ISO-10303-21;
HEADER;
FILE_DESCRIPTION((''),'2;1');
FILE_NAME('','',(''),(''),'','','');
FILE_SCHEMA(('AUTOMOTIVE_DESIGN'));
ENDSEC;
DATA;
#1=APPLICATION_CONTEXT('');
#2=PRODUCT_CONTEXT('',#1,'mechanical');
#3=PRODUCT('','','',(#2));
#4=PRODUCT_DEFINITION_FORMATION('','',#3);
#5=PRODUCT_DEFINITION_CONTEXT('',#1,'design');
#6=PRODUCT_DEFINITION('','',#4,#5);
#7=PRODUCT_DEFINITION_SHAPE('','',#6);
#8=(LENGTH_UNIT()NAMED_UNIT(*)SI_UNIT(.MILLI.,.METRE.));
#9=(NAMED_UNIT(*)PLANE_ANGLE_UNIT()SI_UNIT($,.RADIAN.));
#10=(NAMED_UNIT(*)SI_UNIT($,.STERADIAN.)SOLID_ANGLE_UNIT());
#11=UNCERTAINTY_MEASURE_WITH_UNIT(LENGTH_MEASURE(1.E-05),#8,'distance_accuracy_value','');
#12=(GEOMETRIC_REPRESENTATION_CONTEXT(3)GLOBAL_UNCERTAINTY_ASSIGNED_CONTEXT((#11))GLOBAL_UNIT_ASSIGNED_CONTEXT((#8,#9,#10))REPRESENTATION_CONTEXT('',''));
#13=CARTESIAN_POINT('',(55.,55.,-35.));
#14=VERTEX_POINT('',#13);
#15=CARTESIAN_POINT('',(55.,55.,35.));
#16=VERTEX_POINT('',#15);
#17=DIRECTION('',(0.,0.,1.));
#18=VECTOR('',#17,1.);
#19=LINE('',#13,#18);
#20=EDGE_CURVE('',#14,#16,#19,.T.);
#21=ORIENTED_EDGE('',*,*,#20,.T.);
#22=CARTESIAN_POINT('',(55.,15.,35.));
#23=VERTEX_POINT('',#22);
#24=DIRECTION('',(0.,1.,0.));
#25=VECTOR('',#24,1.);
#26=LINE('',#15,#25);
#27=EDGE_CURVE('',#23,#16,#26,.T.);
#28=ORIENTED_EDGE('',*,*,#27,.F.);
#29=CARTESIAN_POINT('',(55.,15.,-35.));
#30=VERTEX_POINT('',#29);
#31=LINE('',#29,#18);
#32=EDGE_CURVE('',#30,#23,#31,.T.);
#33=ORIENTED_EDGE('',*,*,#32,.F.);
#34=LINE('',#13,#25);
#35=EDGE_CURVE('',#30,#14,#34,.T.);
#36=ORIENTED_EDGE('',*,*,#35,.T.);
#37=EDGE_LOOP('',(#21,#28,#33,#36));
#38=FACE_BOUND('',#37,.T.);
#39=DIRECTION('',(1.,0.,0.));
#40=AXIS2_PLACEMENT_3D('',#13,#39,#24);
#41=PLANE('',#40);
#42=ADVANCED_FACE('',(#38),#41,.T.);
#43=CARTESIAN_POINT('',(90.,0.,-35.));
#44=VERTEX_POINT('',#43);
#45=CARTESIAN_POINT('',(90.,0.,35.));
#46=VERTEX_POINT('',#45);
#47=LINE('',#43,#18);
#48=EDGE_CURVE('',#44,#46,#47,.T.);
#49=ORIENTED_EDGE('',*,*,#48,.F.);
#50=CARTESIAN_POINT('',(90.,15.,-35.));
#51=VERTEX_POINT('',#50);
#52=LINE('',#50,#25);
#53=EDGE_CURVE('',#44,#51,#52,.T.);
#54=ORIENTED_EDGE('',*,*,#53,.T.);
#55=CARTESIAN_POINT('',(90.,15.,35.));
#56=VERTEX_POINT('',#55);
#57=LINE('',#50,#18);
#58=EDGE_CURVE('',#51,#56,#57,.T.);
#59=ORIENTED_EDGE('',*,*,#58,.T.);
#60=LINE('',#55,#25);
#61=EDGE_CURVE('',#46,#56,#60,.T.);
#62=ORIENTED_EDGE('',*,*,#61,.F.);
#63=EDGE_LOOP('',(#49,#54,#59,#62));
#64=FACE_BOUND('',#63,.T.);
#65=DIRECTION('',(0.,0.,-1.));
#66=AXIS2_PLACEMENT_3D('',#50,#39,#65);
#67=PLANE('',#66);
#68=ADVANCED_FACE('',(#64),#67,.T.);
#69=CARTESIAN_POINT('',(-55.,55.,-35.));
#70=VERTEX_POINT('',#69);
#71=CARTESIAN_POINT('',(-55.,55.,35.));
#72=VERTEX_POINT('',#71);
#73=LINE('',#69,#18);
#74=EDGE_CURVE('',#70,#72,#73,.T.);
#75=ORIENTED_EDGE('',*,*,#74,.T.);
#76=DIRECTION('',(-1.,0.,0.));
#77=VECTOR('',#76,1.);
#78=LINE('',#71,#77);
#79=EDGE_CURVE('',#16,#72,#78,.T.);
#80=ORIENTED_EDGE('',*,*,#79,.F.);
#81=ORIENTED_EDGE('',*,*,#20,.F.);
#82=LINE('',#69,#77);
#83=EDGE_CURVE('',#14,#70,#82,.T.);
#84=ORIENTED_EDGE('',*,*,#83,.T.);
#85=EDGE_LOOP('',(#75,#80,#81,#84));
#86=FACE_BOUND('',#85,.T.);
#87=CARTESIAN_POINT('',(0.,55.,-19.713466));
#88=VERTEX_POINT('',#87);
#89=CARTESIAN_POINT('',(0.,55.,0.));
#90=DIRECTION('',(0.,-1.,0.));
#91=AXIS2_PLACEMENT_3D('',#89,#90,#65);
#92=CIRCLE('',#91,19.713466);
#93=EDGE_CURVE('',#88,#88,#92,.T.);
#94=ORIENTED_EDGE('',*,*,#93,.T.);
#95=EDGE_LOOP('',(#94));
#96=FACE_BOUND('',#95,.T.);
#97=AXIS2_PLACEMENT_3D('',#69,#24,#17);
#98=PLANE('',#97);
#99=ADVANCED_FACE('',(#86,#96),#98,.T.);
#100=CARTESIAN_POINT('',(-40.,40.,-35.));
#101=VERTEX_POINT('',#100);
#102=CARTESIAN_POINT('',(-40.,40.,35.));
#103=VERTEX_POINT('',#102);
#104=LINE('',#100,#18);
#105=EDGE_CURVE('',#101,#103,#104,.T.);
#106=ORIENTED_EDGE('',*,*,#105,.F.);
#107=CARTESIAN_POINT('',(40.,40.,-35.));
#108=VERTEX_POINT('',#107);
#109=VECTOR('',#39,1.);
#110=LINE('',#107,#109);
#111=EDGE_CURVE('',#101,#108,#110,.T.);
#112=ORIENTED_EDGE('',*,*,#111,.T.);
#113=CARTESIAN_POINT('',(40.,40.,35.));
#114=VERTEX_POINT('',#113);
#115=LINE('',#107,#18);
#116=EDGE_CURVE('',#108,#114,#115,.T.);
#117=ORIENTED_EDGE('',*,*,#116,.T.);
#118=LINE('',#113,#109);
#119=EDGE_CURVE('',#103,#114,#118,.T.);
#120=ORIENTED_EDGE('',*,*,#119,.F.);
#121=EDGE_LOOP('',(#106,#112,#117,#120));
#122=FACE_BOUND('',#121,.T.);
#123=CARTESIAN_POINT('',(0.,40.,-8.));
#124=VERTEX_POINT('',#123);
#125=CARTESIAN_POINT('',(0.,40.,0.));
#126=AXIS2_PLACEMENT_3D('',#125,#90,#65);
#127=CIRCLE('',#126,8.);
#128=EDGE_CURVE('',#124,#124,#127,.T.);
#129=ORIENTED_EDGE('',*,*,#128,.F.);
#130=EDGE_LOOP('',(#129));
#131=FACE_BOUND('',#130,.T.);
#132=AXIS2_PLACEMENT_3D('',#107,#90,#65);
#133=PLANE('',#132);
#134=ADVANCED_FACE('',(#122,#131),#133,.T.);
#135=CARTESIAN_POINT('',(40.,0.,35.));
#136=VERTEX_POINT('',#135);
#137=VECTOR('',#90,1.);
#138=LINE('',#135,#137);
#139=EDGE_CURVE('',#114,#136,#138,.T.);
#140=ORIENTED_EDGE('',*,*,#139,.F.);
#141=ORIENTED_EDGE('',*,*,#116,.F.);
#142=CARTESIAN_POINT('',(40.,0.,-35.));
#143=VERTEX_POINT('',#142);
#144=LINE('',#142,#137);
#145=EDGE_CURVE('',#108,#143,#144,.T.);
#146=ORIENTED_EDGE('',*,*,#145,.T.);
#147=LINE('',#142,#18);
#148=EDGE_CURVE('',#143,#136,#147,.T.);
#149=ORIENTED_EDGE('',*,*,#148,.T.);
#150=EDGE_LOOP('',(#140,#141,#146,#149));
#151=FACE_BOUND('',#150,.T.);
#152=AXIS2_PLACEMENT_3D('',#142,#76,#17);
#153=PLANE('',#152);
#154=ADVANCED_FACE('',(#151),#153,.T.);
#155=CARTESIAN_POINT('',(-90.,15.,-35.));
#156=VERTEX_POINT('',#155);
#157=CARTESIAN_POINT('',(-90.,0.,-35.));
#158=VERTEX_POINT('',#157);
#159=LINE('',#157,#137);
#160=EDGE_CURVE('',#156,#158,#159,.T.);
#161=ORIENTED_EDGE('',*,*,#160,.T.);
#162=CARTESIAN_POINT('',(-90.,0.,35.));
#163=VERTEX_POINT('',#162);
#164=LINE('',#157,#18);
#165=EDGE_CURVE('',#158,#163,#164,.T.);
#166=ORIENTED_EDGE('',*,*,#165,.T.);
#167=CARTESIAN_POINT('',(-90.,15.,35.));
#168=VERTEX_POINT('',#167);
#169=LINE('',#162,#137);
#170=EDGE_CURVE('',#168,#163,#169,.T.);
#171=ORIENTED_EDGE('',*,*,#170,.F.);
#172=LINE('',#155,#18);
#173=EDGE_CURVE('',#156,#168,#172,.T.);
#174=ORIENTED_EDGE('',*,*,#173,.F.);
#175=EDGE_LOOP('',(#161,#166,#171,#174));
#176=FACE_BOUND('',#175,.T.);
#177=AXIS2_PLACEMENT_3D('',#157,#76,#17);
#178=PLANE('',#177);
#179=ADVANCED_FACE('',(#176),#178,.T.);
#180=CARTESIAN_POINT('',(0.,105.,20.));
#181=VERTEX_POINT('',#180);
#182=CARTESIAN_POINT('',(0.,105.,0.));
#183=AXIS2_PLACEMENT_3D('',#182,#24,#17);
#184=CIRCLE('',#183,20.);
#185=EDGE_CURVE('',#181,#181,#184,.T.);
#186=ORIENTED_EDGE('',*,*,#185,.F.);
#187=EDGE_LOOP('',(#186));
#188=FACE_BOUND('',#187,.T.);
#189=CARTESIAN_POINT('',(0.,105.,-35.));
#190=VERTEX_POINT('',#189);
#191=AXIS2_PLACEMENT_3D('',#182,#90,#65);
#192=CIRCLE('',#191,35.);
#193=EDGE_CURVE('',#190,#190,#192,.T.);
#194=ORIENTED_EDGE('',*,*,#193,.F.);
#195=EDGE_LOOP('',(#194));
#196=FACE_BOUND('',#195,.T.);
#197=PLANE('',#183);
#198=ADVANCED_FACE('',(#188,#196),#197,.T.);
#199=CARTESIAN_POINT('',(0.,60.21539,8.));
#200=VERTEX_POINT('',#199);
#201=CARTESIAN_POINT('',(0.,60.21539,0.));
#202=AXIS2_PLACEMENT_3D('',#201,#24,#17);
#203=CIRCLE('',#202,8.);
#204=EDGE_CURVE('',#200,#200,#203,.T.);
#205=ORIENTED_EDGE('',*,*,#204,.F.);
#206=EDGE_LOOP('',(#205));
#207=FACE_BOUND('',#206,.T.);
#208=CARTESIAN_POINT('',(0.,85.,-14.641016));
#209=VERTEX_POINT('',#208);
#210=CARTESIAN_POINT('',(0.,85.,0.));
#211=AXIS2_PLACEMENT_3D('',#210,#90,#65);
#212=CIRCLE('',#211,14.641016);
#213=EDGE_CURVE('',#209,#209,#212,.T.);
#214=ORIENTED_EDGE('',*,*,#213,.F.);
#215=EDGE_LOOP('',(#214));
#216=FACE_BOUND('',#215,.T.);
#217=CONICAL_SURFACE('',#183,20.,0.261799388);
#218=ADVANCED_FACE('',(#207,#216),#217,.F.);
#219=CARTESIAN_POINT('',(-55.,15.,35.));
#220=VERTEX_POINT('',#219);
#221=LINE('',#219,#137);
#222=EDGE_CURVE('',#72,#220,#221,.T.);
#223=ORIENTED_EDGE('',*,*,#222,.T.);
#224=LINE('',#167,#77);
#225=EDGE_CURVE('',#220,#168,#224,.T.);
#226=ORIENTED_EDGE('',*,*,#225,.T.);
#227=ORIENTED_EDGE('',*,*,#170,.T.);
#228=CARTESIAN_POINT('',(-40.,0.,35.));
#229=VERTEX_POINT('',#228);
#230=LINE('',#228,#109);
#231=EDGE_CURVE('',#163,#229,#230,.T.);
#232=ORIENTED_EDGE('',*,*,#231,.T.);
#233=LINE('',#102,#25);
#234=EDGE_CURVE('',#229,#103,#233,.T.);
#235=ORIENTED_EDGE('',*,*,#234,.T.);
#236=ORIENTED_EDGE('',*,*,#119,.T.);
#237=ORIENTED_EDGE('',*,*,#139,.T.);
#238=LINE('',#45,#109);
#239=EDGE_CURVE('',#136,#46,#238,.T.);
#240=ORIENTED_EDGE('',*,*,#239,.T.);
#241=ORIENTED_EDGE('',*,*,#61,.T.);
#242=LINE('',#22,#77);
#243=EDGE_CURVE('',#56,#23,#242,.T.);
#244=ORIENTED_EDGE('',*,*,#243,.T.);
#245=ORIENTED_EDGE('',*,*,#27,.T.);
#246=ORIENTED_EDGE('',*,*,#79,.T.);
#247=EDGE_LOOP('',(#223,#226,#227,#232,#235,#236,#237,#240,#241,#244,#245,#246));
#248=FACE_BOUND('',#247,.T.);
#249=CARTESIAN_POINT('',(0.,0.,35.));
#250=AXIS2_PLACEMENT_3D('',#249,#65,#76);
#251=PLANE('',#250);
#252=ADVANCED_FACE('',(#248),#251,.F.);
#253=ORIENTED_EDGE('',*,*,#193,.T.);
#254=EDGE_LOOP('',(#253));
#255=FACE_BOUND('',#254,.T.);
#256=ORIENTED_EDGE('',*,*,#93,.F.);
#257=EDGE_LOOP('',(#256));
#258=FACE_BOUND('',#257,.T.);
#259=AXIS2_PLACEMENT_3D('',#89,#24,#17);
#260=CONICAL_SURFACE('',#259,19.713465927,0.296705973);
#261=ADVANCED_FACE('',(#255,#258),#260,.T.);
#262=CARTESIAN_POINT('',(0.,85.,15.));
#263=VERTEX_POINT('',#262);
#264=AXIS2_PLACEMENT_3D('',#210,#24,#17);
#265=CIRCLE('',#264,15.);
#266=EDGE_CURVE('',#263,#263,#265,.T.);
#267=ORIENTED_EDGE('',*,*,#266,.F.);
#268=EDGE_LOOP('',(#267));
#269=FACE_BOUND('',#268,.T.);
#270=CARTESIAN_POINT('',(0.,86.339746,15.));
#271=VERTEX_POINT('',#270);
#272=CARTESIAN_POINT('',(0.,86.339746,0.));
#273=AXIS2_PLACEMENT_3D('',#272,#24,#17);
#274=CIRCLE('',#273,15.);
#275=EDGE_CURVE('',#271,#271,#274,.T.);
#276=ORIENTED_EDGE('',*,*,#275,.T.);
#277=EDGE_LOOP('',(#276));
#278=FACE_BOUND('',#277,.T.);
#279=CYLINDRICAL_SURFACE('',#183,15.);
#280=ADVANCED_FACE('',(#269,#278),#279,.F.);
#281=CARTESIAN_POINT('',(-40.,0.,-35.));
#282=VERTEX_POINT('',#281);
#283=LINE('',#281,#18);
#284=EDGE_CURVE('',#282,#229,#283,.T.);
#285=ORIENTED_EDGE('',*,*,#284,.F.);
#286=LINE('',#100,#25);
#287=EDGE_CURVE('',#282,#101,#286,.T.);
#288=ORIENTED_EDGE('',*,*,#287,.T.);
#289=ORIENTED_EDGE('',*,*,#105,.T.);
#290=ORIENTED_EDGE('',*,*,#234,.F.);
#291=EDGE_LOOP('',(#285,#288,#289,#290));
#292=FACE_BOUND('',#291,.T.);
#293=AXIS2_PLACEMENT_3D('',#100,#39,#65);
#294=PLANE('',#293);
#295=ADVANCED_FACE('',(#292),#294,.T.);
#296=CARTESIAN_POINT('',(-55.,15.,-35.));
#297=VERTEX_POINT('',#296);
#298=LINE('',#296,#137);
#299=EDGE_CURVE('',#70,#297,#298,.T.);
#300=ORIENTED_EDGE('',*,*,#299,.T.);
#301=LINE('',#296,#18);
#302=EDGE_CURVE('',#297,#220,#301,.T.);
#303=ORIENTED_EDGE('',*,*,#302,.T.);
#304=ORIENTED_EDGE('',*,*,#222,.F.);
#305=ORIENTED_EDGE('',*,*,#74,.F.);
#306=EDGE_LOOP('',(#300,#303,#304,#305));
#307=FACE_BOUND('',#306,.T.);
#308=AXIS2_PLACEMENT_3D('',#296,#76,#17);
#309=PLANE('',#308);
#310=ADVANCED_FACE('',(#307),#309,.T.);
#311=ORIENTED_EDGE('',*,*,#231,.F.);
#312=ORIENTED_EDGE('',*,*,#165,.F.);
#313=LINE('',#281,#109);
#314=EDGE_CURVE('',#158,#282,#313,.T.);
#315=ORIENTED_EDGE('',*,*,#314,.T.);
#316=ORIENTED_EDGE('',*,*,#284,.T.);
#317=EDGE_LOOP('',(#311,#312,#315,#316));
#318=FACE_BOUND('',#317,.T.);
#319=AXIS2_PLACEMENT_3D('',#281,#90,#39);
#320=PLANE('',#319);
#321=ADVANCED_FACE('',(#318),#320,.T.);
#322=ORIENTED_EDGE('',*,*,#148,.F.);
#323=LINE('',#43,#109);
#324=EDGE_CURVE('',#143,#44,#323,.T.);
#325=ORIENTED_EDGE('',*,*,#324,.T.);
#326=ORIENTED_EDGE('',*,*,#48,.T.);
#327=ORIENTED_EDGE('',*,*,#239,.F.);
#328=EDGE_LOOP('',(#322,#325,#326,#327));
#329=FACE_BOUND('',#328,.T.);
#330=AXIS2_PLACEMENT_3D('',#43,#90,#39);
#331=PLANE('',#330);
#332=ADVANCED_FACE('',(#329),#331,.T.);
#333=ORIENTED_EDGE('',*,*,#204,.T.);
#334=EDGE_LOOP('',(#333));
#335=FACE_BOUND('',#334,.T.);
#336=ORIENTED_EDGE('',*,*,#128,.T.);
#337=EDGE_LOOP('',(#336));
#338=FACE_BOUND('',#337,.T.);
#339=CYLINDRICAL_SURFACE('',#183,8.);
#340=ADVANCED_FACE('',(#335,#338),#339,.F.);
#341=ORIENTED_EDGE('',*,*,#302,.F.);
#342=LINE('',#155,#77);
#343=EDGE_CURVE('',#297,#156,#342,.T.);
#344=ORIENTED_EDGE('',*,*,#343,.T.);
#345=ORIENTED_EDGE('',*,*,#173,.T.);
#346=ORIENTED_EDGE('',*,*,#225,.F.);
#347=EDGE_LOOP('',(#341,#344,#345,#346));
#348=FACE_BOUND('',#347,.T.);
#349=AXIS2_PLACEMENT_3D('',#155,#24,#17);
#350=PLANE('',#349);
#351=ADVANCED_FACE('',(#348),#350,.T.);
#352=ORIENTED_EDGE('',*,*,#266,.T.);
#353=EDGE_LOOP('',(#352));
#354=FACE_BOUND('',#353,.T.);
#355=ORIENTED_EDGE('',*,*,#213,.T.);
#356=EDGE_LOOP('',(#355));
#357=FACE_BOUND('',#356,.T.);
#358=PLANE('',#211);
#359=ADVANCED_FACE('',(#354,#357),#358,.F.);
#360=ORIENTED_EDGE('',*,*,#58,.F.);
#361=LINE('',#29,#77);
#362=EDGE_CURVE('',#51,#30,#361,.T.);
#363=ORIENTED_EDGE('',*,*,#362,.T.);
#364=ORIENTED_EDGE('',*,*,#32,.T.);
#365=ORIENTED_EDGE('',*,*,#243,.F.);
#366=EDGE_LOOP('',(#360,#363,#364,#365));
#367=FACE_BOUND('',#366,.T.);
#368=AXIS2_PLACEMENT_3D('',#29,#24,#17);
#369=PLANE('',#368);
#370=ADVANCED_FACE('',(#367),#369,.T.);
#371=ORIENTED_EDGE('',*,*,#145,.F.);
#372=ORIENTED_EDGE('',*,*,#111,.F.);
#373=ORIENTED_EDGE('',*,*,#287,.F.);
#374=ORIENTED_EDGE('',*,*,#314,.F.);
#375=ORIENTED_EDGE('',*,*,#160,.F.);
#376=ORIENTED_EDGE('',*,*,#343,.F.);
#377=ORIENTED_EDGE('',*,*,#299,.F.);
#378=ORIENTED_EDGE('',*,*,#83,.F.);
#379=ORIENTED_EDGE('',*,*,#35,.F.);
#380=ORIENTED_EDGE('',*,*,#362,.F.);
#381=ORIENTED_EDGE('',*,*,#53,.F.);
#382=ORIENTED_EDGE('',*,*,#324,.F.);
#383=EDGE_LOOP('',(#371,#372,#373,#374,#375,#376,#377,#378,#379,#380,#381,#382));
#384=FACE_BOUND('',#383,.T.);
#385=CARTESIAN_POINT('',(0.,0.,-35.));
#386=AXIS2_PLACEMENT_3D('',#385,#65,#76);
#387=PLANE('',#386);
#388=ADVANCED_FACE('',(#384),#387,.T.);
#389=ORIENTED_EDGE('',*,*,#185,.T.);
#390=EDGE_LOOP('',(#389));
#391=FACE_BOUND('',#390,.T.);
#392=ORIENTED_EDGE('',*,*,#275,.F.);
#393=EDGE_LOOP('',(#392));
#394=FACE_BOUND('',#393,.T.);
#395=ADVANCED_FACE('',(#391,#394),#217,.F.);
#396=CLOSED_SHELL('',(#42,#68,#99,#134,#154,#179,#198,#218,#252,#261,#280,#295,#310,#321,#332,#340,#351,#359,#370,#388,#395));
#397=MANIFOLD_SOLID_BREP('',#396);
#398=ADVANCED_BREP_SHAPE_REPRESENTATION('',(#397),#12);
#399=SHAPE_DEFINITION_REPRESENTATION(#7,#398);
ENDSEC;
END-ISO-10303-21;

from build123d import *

# Parameters (mm, degrees)
BOSS_EXTRUDE1_DEPTH      = 35
BOSS_EXTRUDE1_DEPTH_BACK = 35
HOLE1_D                  = 30
HOLE1_DEPTH              = 20


with BuildPart() as part:
    # Sketch1 → Boss-Extrude1 (new, two sides: drawn at the far end of the back side and taken through both)
    with BuildSketch(Plane.XY.offset(-BOSS_EXTRUDE1_DEPTH_BACK)):
        Polygon((-90, 0), (-90, 15), (-55, 15), (-55, 55), (55, 55), (55, 15), (90, 15), (90, 0), (40, 0), (40, 40), (-40, 40), (-40, 0), align=None)
    extrude(amount=BOSS_EXTRUDE1_DEPTH + BOSS_EXTRUDE1_DEPTH_BACK)

    # Sketch3 → Revolve1 (revolve)
    with BuildSketch(Plane.XY):
        Polygon((0, 105), (35, 105), (19.713465927, 55), (0, 55), align=None)
    revolve(axis=Axis((0, 0, 0), (0, 1, 0)))

    # Hole1
    with Locations(Plane(origin=(0, 105, 0), x_dir=(1, 0, 0), z_dir=(0, 1, 0))):
        with Locations((0, 0)):
            Hole(HOLE1_D / 2, depth=HOLE1_DEPTH)

    # Sketch7 → Hole2 (revolve, cut)
    with BuildSketch(Plane(origin=(0, 105, 0), x_dir=(0, 0, 1), z_dir=(1, 0, 0))):
        Polygon((0, 0), (0, 69.806884952), (8, 65), (8, 44.784609691), (20, 0), align=None)
    revolve(axis=Axis((0, 119.308894879, 0), (0, -1, 0)), mode=Mode.SUBTRACT)


solid = part.part
